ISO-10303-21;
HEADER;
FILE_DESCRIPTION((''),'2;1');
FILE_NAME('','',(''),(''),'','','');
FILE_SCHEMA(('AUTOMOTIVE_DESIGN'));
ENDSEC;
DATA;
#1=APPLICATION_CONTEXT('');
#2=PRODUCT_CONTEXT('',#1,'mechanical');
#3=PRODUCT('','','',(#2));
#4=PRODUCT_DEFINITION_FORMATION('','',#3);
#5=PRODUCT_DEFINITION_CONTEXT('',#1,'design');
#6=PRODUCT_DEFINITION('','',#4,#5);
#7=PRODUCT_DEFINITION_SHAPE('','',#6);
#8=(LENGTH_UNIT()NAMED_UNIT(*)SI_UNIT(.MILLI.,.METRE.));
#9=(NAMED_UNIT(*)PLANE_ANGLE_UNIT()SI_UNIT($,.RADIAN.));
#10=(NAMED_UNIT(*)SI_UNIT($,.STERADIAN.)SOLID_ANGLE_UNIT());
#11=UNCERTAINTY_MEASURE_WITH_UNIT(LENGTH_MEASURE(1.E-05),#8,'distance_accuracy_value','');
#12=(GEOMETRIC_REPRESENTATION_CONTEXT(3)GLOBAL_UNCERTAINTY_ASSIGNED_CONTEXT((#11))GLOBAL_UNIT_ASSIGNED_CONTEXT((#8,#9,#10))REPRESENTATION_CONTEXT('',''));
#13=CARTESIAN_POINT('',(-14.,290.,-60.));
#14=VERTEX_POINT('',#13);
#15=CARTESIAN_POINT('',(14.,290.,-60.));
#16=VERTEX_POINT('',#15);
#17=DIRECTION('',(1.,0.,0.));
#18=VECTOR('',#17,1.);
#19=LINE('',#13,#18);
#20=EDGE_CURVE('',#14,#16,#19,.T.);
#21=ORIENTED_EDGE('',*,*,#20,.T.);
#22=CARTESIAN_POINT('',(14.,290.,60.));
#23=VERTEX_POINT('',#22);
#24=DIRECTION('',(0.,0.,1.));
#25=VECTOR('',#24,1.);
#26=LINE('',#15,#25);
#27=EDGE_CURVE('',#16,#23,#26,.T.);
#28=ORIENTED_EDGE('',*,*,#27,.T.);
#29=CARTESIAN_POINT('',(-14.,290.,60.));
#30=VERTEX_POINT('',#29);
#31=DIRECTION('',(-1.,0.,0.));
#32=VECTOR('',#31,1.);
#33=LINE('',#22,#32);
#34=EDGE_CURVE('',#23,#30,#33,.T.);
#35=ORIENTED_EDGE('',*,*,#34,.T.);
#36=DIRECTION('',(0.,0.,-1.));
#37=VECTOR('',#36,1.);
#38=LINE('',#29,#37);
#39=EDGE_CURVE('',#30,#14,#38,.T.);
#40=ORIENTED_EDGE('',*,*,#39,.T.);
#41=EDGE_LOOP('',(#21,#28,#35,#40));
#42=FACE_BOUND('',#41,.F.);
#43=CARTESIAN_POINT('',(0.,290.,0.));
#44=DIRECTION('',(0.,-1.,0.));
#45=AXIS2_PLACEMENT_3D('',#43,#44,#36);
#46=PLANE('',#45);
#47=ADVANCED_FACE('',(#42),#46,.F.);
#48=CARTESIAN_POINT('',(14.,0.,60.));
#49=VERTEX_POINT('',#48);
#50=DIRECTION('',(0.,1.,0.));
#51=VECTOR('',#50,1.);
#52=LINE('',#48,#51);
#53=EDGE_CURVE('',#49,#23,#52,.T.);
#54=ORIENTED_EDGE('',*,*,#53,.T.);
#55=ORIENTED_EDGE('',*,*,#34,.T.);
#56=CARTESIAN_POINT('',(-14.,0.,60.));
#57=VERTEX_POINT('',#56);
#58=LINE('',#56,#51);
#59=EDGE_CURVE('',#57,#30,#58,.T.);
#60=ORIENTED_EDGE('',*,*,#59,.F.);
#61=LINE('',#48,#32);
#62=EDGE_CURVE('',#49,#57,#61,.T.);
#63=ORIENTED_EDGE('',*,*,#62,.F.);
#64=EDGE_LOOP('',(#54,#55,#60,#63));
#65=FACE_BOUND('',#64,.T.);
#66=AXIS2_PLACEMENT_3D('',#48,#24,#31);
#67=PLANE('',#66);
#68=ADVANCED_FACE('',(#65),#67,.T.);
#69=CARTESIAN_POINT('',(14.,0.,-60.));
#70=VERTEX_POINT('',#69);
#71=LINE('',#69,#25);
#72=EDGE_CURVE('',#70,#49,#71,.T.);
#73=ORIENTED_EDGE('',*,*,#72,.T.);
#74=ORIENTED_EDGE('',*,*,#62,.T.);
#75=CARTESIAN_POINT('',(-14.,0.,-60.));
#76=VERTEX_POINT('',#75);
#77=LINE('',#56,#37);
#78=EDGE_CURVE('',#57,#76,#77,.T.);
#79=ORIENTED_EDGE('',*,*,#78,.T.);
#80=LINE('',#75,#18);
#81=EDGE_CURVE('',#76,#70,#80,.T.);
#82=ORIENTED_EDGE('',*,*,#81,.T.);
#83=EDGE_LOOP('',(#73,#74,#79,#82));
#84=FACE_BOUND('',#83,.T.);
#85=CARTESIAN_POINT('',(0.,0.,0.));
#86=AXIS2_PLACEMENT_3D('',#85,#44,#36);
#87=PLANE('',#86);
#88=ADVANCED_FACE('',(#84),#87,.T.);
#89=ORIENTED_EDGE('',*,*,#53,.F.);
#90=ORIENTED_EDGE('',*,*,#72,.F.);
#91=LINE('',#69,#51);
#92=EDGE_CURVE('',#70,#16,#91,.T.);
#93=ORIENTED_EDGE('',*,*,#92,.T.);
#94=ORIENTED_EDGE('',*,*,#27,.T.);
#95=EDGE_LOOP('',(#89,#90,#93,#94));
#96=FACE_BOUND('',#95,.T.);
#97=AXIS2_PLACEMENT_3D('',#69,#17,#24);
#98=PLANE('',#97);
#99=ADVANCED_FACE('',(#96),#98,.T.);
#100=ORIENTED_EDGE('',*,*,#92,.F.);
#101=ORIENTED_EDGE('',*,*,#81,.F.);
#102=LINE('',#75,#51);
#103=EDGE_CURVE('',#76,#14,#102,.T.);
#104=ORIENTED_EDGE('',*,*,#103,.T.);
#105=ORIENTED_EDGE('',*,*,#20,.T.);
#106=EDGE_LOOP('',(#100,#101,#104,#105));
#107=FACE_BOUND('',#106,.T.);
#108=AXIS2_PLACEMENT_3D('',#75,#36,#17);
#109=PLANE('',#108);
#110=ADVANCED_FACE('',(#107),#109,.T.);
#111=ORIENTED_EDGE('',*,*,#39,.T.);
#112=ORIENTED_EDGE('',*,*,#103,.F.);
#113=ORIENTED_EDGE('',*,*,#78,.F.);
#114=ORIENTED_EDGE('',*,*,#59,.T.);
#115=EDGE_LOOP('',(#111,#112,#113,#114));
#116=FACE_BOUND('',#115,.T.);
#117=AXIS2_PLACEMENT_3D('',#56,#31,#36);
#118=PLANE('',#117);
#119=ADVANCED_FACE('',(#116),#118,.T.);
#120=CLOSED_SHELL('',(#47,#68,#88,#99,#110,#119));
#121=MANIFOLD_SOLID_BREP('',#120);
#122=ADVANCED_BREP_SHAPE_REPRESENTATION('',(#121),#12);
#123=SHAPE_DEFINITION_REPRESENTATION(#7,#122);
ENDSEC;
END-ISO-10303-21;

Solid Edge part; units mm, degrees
sketch "Sketch1" plane through (0, 0, 0) normal (0, -1, 0) x (1, 0, 0)
  line L0 (-14, -60) -> (14, -60)
  line L1 (14, -60) -> (14, 60)
  line L2 (14, 60) -> (-14, 60)
  line L3 (-14, 60) -> (-14, -60)
extrude "Protrusion1" add sketch "Sketch1" against normal blind 290
